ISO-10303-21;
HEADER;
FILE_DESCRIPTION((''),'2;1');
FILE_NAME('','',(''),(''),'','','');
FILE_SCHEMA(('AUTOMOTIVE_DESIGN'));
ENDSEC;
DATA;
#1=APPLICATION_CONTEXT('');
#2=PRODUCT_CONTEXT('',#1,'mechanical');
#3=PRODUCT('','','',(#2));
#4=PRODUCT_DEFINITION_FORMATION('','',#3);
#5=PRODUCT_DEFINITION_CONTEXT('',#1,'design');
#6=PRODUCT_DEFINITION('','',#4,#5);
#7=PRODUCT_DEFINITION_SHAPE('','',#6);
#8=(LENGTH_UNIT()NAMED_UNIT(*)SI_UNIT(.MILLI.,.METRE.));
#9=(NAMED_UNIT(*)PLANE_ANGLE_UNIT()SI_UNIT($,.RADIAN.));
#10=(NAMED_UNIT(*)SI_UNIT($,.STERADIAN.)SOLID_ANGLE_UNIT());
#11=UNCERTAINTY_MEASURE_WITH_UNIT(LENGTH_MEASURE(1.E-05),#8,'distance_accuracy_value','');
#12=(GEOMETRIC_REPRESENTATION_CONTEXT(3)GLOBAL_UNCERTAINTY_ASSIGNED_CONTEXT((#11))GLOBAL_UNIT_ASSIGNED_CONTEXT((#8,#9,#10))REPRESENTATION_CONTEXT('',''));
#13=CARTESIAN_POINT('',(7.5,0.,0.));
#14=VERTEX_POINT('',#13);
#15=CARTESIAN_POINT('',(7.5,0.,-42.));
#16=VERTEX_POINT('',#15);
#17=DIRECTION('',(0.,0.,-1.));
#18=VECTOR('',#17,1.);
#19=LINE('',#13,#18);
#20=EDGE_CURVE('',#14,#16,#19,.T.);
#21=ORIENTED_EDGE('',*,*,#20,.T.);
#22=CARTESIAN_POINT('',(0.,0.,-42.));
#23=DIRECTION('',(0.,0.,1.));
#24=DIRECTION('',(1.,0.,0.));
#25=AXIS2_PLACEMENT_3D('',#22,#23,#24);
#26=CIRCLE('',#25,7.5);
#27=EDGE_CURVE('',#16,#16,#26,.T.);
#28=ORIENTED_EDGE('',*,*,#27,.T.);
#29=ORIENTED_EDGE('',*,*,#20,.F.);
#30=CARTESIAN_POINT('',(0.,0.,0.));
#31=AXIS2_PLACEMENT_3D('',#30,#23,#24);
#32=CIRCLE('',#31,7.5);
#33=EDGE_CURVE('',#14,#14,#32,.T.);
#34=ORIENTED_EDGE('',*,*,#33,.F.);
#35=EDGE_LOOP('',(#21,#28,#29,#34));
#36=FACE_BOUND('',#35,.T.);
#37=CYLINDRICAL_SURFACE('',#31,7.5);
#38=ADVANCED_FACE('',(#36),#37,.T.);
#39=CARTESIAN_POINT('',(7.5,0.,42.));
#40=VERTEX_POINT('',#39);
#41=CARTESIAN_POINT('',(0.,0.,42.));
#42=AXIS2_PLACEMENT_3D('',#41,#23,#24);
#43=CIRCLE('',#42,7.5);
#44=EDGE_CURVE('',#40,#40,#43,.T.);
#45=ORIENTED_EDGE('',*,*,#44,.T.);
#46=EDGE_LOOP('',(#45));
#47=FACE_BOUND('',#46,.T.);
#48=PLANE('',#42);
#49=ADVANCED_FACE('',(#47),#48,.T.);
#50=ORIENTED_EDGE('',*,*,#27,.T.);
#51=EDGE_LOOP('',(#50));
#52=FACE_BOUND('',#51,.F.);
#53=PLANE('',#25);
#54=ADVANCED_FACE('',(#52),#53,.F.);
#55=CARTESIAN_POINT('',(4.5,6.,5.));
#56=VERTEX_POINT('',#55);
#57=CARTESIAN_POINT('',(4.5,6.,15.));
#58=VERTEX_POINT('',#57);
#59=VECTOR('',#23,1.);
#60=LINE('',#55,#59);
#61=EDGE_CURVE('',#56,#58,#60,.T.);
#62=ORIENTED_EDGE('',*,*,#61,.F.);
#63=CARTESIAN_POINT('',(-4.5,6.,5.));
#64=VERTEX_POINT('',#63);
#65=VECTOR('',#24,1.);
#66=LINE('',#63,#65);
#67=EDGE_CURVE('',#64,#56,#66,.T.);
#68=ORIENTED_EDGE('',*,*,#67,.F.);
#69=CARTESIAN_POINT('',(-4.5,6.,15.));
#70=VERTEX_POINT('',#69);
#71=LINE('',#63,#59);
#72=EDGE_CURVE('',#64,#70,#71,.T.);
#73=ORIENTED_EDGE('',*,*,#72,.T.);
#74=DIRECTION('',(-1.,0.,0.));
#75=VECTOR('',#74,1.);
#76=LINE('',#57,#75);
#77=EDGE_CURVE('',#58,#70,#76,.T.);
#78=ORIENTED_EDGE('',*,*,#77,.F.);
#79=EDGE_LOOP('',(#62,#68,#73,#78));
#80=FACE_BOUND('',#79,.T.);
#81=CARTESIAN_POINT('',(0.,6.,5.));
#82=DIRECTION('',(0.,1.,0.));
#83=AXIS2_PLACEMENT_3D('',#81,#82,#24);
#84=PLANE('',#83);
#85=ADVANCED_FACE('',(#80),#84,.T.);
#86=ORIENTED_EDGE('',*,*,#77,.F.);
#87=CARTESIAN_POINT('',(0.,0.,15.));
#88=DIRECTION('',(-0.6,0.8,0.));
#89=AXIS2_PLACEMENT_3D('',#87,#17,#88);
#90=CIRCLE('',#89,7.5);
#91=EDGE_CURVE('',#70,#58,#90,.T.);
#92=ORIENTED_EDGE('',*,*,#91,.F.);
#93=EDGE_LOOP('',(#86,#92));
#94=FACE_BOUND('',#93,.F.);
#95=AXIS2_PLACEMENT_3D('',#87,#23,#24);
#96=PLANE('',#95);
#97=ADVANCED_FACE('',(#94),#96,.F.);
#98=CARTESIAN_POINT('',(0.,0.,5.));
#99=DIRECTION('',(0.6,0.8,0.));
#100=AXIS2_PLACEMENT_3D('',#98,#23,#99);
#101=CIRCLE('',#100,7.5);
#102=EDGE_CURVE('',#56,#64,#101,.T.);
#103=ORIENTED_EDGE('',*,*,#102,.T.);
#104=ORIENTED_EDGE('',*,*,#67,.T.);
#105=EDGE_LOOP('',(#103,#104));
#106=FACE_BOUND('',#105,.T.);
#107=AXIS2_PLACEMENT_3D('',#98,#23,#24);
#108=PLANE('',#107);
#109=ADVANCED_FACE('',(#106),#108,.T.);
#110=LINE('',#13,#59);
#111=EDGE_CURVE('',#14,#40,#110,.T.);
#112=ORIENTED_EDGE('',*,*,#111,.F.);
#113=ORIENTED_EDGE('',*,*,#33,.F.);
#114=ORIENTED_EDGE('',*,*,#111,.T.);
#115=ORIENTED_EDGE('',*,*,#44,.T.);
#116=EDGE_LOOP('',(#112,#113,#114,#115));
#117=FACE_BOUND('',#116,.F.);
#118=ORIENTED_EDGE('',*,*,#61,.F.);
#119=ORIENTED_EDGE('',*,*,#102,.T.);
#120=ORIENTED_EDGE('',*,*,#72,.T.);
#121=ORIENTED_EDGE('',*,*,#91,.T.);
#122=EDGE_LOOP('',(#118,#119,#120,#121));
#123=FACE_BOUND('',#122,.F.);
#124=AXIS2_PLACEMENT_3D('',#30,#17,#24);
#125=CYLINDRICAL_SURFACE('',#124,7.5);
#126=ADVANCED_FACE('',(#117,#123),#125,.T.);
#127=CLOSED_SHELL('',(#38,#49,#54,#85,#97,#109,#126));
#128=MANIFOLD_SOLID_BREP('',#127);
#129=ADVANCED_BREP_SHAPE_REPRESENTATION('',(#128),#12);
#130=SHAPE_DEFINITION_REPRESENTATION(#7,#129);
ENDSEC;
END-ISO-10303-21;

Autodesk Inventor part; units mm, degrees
ref_plane "YZ Plane" through (0, 0, 0) normal (1, 0, 0) x (0, 1, 0)
ref_plane "XZ Plane" through (0, 0, 0) normal (0, 1, 0) x (-1, 0, 0)
sketch "Boceto1" plane through (0, 0, 0) normal (0, 0, 1) x (1, 0, 0)
  circle A0 centre (0, 0) radius 7.5
  dimension "d0" = 15
extrude "Extrusión1" add sketch "Boceto1" along normal mid plane 84
ref_plane "Plano de trabajo1" through (0, 0, 5) normal (0, 0, 1) x (1, 0, 0)
sketch "Boceto3" plane through (0, 0, 5) normal (0, 0, 1) x (1, 0, 0)
  circle A0 centre (0, 0) radius 7.5 projected
  line L0 (0, 7.5) -> (0, 6)
  line L1 (0, 6) -> (4.5, 6)
  line L2 (0, 6) -> (-4.5, 6)
  dimension "d4" = 1.5
extrude "Extrusión2" cut sketch "Boceto3" along normal blind 10 contours L1 L0 A0 | A0 L0 L2
properties part number "Eje_engrane"
